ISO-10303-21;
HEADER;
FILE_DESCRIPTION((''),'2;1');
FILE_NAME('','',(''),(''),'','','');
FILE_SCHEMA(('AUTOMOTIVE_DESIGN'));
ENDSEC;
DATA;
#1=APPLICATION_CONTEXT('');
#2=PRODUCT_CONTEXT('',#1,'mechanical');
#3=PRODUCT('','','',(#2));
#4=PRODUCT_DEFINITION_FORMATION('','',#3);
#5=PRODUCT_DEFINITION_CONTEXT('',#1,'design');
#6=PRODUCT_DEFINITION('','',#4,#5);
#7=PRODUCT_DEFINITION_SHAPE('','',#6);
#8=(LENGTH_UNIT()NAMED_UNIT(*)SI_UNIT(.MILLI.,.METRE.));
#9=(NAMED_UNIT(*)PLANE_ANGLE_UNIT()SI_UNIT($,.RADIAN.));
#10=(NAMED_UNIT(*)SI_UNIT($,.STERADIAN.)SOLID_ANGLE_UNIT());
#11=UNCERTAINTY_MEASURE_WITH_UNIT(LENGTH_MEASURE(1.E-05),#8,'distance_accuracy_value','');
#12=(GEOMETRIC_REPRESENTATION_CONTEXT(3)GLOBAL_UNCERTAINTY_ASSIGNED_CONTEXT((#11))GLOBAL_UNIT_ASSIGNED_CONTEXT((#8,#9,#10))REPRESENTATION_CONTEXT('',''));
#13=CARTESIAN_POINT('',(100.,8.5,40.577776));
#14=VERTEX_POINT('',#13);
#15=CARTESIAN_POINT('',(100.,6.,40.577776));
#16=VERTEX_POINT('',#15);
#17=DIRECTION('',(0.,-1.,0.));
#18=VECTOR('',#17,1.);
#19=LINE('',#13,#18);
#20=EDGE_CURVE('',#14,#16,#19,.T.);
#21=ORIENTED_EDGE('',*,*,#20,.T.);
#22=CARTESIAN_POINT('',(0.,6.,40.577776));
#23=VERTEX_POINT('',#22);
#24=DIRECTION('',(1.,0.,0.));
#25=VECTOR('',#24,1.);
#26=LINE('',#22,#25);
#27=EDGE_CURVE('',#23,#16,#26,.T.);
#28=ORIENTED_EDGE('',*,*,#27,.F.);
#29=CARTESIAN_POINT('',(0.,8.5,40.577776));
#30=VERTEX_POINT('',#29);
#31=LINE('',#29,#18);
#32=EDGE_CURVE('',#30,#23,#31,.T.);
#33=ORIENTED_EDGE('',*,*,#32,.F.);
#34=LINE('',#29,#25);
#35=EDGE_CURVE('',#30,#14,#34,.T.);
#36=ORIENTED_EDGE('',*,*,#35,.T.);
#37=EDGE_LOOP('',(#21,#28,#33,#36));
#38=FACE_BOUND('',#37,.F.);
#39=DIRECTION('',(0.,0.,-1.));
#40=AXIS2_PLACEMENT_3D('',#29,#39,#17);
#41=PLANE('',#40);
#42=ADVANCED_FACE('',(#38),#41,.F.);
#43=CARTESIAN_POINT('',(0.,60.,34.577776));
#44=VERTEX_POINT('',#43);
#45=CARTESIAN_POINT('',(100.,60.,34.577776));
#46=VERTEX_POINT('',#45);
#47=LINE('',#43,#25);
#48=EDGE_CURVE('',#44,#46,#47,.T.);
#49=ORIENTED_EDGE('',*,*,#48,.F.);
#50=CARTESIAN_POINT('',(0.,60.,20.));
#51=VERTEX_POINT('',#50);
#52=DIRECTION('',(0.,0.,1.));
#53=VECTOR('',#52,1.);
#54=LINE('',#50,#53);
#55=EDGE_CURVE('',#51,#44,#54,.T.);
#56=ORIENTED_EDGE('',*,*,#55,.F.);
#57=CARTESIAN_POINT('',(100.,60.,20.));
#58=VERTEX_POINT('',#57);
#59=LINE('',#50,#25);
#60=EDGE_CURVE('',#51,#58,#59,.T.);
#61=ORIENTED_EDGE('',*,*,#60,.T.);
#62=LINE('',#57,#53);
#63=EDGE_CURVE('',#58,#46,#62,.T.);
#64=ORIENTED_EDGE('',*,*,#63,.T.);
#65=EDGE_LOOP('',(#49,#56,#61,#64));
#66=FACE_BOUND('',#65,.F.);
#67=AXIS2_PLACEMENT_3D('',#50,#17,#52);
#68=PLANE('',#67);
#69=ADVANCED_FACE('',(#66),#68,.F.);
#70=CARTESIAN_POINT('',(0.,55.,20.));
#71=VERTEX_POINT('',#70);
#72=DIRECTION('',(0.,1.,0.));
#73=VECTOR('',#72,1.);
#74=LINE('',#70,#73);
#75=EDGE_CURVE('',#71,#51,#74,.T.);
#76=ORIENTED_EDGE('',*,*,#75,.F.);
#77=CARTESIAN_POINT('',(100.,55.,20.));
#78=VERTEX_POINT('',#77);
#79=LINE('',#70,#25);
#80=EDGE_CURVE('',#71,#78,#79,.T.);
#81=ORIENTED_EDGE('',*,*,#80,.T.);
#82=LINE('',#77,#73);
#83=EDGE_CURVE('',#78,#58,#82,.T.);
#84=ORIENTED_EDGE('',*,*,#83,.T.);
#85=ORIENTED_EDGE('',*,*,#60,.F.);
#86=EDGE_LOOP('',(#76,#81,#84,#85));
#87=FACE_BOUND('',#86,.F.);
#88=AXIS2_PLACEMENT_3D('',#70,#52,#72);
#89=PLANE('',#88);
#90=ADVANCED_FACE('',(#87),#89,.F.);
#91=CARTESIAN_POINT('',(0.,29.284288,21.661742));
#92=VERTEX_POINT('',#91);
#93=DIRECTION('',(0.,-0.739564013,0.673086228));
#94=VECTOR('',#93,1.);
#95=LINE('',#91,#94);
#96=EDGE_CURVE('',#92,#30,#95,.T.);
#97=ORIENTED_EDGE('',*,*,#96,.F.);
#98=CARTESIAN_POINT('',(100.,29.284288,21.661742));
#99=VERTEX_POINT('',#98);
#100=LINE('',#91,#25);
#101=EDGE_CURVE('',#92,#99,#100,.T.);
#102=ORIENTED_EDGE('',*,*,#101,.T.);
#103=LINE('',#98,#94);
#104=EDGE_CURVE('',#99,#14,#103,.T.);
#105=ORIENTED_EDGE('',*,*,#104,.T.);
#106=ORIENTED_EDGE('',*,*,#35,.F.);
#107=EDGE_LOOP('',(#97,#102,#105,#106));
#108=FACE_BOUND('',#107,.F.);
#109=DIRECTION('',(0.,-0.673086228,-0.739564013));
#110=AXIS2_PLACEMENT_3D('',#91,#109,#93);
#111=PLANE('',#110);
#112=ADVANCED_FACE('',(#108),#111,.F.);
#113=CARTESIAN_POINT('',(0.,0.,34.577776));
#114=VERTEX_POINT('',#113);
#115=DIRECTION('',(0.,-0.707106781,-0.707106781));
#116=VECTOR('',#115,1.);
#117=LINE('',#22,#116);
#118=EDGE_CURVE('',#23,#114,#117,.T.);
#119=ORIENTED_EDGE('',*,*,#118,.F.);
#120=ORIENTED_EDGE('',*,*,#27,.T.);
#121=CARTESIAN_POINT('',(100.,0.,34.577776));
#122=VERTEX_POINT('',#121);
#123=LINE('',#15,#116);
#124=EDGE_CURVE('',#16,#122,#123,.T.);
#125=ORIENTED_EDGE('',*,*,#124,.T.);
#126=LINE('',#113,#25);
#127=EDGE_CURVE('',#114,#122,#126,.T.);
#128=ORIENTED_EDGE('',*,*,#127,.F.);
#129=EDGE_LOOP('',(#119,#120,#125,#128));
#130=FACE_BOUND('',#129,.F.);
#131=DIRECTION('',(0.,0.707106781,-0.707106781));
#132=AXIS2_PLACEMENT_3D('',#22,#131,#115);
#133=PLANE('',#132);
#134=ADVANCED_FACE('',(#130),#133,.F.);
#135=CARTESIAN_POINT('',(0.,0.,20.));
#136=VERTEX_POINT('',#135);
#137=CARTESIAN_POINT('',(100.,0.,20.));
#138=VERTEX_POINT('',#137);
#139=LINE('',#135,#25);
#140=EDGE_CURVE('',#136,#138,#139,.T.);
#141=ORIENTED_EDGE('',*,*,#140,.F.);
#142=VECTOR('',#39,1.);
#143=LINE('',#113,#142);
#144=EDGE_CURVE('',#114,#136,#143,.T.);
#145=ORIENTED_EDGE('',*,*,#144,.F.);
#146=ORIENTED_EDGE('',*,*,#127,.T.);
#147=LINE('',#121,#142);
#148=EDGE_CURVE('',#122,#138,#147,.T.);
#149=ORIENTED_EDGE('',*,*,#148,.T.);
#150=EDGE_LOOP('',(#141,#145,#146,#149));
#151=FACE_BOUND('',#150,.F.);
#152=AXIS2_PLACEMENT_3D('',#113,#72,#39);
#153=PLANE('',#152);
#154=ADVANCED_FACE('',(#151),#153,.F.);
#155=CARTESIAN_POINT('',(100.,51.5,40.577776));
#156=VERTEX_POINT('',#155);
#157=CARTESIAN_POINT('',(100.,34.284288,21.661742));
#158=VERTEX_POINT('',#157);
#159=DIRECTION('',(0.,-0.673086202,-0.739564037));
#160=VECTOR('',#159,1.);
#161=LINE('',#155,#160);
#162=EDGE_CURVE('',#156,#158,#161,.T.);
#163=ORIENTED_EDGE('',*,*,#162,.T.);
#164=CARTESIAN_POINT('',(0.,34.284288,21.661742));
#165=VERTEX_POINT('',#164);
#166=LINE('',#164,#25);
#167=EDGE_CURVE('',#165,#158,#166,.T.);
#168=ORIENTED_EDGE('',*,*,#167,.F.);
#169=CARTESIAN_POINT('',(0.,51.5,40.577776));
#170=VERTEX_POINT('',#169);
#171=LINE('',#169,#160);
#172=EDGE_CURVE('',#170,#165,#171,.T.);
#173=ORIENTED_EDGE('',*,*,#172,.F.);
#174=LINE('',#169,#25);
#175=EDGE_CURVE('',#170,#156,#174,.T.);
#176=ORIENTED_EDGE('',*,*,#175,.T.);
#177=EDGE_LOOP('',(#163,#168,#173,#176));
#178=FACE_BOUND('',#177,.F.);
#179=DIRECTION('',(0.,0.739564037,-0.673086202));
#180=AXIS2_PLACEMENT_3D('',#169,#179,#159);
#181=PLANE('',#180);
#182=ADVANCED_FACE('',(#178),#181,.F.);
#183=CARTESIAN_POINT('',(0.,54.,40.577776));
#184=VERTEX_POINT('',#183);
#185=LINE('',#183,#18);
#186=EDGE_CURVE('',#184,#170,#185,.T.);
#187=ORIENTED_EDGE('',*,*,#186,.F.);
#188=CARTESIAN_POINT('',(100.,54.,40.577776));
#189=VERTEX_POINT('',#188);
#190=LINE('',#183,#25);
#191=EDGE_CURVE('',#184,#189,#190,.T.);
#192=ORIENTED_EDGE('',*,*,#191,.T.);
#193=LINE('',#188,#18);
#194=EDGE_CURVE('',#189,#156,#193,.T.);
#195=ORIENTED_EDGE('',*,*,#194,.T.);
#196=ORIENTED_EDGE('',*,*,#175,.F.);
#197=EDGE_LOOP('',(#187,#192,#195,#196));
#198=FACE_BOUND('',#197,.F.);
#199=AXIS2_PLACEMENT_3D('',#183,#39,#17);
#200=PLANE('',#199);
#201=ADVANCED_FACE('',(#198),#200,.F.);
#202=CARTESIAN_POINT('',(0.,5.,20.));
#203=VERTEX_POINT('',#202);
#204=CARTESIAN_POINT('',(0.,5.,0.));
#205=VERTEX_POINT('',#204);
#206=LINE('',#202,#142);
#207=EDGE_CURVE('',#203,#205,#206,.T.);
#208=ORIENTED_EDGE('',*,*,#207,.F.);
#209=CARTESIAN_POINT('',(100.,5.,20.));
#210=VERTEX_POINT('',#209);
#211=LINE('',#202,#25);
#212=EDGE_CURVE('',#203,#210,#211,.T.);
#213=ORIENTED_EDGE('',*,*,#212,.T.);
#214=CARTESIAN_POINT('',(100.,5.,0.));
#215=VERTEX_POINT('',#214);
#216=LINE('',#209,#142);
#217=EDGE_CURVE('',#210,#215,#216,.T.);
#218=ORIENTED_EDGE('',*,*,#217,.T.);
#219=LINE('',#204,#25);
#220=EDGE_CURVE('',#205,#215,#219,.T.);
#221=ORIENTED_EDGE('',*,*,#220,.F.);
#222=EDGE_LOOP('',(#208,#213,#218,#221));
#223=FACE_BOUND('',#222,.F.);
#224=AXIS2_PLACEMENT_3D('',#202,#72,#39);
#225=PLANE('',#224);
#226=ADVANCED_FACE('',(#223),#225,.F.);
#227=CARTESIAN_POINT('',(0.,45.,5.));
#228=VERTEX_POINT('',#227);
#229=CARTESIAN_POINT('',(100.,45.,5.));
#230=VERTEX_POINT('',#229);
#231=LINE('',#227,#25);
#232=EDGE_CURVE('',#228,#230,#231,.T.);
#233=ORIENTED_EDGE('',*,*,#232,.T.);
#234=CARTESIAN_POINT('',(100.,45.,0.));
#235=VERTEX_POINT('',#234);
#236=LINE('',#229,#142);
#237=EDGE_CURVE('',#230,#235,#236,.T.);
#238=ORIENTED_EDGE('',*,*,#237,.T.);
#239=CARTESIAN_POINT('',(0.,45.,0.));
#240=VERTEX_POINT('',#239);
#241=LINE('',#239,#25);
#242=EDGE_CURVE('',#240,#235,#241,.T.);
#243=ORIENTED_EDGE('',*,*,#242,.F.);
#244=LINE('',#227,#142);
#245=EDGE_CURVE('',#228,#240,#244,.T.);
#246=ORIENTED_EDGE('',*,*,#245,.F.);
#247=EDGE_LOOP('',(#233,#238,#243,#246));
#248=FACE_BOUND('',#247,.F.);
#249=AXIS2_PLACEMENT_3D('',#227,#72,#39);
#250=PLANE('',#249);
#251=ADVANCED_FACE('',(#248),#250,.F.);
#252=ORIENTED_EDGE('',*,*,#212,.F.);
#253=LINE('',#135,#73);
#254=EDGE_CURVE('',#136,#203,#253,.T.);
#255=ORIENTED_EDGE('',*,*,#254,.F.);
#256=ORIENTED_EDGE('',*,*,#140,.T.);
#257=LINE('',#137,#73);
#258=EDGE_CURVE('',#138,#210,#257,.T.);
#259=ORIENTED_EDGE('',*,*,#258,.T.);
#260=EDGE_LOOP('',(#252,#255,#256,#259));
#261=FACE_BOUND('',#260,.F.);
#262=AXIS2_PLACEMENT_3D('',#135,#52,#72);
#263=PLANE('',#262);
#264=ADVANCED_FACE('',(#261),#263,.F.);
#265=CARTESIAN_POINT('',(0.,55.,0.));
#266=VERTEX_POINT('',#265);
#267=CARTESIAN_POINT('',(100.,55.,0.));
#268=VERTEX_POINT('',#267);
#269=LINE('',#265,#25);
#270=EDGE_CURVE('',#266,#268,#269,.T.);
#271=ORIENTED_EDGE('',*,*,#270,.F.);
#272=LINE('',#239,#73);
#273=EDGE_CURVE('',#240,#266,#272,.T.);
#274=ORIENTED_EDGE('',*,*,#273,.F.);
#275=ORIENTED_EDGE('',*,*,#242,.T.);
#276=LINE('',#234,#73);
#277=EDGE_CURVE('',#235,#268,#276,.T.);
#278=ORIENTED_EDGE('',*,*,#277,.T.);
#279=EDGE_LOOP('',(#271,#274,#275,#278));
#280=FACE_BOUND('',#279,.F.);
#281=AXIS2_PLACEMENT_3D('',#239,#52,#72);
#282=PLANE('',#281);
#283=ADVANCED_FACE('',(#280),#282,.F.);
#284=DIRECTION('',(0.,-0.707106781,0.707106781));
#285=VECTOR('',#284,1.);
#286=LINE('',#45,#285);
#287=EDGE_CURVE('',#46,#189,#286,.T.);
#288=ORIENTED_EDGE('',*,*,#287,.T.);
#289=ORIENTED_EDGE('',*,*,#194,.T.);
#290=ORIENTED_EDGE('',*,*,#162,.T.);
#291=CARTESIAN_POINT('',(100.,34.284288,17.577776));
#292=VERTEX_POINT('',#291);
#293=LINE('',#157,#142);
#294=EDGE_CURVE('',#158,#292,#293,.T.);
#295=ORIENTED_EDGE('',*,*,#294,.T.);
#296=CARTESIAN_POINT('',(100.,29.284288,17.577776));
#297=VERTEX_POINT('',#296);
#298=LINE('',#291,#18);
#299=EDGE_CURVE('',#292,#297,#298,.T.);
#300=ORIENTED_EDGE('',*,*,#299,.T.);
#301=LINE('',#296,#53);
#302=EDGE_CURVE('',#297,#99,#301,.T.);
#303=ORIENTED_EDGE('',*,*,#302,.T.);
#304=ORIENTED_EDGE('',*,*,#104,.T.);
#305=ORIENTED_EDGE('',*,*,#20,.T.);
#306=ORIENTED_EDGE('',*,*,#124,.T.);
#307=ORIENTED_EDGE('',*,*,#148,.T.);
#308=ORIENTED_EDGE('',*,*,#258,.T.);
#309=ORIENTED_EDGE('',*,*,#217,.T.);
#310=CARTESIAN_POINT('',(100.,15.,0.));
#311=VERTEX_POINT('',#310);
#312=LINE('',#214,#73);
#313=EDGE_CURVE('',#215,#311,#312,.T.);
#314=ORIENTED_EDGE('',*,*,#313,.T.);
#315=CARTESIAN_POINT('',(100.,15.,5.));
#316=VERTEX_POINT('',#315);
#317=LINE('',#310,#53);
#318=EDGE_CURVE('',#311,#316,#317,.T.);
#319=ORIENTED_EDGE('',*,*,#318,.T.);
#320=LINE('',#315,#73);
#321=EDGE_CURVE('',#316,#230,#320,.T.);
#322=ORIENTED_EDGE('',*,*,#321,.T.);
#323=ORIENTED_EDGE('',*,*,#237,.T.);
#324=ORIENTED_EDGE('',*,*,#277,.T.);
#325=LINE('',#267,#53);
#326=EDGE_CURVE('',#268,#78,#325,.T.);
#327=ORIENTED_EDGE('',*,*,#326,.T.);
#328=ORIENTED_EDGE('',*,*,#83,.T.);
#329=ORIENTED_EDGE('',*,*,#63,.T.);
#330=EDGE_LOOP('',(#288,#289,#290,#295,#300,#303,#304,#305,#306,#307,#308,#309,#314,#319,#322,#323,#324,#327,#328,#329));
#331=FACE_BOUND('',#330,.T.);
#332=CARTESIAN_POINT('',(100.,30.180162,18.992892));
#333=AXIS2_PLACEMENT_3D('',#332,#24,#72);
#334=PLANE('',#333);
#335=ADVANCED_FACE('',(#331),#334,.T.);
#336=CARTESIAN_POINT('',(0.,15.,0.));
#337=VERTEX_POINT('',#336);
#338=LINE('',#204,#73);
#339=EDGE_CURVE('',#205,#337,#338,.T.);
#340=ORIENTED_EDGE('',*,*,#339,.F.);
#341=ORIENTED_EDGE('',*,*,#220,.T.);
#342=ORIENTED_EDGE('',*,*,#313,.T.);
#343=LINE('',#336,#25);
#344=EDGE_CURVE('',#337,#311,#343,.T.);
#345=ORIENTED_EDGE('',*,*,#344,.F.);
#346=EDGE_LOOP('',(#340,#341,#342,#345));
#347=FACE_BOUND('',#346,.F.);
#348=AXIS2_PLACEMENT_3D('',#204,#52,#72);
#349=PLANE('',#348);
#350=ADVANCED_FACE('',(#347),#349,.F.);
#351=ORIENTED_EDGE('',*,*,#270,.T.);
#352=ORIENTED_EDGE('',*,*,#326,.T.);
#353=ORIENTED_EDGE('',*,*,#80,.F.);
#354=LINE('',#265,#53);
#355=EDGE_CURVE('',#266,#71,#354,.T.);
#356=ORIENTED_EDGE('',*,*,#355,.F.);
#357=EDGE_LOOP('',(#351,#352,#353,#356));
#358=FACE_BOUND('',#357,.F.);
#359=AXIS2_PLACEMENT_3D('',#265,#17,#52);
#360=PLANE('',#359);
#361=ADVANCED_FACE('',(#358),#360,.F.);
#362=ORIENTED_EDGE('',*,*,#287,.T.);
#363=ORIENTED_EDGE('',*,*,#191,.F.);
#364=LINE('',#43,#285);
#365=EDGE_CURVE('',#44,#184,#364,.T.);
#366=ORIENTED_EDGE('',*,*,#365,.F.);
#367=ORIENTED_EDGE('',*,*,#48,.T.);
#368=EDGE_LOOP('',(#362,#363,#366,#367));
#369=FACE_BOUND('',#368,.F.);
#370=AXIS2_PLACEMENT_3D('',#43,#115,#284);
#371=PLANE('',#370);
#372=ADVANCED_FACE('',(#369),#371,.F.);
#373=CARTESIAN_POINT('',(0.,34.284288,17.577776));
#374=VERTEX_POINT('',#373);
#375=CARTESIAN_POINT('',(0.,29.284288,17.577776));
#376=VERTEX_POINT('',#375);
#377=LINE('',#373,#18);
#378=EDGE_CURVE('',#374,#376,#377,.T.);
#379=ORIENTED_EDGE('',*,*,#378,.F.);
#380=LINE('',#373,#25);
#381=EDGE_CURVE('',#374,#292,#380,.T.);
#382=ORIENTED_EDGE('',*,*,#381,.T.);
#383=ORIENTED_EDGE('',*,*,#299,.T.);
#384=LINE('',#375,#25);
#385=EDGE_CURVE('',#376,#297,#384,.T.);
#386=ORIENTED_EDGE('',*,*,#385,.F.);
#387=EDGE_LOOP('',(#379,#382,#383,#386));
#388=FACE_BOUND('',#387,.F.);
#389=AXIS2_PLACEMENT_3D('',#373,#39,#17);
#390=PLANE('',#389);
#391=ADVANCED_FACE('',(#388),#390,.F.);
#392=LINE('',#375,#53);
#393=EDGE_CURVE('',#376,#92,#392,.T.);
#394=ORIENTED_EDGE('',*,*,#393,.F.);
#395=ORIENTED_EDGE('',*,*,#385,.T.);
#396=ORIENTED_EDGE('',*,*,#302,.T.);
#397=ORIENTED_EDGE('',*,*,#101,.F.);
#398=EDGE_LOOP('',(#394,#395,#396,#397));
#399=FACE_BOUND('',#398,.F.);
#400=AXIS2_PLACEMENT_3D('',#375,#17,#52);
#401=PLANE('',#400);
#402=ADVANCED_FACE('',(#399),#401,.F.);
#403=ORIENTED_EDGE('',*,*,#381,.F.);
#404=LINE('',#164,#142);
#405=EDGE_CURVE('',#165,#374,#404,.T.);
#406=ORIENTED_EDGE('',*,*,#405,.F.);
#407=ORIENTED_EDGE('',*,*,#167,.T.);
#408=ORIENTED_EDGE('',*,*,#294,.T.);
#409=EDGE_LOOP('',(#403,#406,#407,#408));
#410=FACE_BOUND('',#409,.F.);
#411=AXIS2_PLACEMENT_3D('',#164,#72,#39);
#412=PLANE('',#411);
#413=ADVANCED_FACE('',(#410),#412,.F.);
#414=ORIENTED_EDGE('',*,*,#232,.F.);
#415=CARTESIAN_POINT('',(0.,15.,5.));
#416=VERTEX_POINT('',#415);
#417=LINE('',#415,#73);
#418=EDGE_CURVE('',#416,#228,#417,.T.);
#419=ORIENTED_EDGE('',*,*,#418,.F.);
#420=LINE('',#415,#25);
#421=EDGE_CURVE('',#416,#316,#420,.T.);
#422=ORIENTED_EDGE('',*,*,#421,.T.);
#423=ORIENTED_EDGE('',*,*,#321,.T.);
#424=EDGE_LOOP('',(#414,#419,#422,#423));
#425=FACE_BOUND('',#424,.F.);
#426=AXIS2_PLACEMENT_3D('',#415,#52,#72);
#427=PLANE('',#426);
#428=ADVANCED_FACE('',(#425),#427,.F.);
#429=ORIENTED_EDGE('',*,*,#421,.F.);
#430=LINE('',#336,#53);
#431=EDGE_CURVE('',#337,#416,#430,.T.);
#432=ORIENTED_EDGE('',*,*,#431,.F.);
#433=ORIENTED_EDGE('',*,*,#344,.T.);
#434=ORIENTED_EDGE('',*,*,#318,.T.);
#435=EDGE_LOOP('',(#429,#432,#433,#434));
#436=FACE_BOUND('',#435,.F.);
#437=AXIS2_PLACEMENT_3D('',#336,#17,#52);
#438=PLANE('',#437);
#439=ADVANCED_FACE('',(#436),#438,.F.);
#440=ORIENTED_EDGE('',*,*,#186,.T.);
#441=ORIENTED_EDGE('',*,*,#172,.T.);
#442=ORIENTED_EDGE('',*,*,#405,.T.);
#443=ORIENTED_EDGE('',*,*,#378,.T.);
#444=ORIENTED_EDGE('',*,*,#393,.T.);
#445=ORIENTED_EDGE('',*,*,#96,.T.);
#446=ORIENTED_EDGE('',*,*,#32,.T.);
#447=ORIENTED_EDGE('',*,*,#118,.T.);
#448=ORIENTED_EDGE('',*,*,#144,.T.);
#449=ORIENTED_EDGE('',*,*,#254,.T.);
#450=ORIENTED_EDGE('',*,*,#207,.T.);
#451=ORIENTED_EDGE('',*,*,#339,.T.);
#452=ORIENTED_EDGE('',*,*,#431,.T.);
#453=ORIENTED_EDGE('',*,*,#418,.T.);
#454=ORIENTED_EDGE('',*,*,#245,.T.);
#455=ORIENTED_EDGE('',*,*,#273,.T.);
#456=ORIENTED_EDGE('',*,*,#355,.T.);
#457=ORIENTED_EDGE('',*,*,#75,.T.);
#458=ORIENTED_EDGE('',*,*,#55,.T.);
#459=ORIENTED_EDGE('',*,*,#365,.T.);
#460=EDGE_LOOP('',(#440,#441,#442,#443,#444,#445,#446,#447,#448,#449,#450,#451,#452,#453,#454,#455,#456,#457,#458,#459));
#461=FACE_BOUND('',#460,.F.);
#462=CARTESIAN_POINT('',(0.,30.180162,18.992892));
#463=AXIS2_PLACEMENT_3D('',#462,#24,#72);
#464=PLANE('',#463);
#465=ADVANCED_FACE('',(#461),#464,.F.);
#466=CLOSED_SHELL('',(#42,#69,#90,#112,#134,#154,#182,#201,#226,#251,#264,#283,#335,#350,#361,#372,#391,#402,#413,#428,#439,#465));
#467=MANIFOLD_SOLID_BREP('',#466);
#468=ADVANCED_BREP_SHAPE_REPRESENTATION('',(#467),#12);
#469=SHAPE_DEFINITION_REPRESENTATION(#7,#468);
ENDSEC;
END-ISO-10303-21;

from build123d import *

# Parameters (mm, degrees)
F1_DEPTH = 100


with BuildPart() as f1:
    # F0 (on Right) → F1 (new body)
    with BuildSketch(Plane.YZ):
        Polygon((0, 34.577776), (0, 20), (5, 20), (5, 0), (15, 0), (15, 5), (45, 5), (45, 0), (55, 0), (55, 20), (60, 20), (60, 34.577776), (54, 40.577776), (51.5, 40.577776), (34.284288, 21.661742), (34.284288, 17.577776), (29.284288, 17.577776), (29.284288, 21.661742), (8.5, 40.577776), (6, 40.577776), align=None)
    extrude(amount=F1_DEPTH)


solid = f1.part
